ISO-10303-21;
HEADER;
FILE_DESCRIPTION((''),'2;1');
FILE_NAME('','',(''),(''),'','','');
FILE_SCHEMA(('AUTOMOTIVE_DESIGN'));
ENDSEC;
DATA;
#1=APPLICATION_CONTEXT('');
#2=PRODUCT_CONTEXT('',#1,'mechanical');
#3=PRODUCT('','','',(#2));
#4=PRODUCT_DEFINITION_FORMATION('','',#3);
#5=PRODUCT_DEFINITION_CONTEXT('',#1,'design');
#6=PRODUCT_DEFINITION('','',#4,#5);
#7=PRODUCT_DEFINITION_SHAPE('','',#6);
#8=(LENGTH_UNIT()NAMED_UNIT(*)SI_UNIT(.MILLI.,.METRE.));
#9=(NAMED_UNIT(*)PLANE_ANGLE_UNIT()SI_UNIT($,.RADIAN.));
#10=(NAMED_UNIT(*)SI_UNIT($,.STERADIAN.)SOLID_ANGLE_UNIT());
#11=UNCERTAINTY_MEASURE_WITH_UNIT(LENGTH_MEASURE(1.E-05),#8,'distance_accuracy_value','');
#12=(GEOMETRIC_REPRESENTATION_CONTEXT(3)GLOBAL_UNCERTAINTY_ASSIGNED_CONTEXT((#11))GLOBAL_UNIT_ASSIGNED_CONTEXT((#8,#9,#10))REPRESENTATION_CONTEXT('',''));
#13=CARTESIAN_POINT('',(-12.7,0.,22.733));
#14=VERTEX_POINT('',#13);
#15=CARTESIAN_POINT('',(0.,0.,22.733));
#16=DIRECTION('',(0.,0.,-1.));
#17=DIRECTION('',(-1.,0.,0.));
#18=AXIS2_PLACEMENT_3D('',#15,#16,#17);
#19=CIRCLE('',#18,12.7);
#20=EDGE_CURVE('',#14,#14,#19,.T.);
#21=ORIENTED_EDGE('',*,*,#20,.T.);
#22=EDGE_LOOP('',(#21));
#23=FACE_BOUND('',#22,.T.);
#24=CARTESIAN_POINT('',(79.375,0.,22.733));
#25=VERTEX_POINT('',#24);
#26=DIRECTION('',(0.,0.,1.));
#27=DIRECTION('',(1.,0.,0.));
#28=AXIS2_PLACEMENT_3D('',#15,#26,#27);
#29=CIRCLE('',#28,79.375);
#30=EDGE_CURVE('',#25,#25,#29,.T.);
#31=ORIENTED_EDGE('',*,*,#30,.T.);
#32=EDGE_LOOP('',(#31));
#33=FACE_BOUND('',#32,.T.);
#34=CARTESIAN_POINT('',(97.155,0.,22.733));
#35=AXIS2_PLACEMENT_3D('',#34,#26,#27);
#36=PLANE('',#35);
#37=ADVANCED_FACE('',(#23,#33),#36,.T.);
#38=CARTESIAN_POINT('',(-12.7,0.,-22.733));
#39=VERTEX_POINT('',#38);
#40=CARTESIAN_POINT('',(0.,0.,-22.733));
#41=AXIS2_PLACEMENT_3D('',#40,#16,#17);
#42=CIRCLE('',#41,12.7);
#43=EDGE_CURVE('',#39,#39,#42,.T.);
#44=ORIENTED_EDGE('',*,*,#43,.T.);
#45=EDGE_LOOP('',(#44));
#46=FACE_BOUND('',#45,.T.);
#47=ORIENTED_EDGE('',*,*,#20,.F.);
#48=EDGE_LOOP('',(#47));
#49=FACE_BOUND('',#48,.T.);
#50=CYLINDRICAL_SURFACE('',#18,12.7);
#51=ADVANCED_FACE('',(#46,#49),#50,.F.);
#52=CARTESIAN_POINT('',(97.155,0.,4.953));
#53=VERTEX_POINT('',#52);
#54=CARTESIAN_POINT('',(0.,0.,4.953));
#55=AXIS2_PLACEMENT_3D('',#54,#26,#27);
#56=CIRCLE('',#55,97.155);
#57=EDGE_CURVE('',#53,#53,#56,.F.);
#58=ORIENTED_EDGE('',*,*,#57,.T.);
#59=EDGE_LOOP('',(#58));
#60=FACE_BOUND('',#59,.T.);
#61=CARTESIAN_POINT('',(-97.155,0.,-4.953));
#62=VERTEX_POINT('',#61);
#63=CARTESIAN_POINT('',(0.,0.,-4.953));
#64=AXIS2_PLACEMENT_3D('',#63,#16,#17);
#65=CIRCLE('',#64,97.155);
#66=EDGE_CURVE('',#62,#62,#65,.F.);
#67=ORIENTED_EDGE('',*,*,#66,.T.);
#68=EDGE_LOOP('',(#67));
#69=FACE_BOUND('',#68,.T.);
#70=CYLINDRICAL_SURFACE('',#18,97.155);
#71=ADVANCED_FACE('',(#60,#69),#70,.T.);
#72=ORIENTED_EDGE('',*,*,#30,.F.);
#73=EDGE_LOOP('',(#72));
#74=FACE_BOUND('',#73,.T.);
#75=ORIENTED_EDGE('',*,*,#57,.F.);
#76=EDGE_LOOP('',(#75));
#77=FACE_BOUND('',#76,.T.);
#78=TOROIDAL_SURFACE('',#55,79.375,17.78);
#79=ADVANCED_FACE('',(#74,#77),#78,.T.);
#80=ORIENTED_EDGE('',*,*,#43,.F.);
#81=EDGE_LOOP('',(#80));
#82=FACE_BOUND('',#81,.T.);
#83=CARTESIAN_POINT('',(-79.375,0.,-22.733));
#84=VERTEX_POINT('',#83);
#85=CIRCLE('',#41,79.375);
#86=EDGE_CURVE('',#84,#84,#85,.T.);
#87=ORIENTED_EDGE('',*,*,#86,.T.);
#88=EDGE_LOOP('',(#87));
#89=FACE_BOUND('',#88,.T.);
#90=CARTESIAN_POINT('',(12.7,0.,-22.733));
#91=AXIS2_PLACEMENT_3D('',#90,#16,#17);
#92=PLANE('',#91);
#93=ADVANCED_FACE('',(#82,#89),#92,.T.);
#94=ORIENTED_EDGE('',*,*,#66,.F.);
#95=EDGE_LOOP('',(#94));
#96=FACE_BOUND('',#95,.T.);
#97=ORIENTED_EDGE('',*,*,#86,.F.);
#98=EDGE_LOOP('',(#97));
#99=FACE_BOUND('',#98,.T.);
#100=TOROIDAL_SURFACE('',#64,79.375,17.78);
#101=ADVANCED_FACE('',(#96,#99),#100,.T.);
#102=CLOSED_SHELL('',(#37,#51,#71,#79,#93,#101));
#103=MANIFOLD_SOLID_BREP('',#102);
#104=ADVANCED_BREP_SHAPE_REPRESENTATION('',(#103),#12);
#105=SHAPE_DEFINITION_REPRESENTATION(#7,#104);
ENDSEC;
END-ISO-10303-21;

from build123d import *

# Parameters (mm, degrees)
SKETCH1_W = 84.455
SKETCH1_H = 45.466
FILLET1_R = 17.78


with BuildPart() as part:
    # Sketch1 → Revolve1 (revolve)
    with BuildSketch(Plane.XZ, mode=Mode.PRIVATE) as revolve1_sk:
        with Locations((54.9275, 0)):
            Rectangle(SKETCH1_W, SKETCH1_H)
    revolve(revolve1_sk.sketch.rotate(Axis((0, 0, 22.733), (0, 0, -1)), 180), axis=Axis((0, 0, 22.733), (0, 0, -1)))

    # Fillet1
    fillet1_edges = [part.edges().sort_by_distance(p)[0] for p in [
        (97.155, 0, 22.733),
        (97.155, 0, -22.733),
    ]]
    fillet(fillet1_edges, radius=FILLET1_R)


solid = part.part
